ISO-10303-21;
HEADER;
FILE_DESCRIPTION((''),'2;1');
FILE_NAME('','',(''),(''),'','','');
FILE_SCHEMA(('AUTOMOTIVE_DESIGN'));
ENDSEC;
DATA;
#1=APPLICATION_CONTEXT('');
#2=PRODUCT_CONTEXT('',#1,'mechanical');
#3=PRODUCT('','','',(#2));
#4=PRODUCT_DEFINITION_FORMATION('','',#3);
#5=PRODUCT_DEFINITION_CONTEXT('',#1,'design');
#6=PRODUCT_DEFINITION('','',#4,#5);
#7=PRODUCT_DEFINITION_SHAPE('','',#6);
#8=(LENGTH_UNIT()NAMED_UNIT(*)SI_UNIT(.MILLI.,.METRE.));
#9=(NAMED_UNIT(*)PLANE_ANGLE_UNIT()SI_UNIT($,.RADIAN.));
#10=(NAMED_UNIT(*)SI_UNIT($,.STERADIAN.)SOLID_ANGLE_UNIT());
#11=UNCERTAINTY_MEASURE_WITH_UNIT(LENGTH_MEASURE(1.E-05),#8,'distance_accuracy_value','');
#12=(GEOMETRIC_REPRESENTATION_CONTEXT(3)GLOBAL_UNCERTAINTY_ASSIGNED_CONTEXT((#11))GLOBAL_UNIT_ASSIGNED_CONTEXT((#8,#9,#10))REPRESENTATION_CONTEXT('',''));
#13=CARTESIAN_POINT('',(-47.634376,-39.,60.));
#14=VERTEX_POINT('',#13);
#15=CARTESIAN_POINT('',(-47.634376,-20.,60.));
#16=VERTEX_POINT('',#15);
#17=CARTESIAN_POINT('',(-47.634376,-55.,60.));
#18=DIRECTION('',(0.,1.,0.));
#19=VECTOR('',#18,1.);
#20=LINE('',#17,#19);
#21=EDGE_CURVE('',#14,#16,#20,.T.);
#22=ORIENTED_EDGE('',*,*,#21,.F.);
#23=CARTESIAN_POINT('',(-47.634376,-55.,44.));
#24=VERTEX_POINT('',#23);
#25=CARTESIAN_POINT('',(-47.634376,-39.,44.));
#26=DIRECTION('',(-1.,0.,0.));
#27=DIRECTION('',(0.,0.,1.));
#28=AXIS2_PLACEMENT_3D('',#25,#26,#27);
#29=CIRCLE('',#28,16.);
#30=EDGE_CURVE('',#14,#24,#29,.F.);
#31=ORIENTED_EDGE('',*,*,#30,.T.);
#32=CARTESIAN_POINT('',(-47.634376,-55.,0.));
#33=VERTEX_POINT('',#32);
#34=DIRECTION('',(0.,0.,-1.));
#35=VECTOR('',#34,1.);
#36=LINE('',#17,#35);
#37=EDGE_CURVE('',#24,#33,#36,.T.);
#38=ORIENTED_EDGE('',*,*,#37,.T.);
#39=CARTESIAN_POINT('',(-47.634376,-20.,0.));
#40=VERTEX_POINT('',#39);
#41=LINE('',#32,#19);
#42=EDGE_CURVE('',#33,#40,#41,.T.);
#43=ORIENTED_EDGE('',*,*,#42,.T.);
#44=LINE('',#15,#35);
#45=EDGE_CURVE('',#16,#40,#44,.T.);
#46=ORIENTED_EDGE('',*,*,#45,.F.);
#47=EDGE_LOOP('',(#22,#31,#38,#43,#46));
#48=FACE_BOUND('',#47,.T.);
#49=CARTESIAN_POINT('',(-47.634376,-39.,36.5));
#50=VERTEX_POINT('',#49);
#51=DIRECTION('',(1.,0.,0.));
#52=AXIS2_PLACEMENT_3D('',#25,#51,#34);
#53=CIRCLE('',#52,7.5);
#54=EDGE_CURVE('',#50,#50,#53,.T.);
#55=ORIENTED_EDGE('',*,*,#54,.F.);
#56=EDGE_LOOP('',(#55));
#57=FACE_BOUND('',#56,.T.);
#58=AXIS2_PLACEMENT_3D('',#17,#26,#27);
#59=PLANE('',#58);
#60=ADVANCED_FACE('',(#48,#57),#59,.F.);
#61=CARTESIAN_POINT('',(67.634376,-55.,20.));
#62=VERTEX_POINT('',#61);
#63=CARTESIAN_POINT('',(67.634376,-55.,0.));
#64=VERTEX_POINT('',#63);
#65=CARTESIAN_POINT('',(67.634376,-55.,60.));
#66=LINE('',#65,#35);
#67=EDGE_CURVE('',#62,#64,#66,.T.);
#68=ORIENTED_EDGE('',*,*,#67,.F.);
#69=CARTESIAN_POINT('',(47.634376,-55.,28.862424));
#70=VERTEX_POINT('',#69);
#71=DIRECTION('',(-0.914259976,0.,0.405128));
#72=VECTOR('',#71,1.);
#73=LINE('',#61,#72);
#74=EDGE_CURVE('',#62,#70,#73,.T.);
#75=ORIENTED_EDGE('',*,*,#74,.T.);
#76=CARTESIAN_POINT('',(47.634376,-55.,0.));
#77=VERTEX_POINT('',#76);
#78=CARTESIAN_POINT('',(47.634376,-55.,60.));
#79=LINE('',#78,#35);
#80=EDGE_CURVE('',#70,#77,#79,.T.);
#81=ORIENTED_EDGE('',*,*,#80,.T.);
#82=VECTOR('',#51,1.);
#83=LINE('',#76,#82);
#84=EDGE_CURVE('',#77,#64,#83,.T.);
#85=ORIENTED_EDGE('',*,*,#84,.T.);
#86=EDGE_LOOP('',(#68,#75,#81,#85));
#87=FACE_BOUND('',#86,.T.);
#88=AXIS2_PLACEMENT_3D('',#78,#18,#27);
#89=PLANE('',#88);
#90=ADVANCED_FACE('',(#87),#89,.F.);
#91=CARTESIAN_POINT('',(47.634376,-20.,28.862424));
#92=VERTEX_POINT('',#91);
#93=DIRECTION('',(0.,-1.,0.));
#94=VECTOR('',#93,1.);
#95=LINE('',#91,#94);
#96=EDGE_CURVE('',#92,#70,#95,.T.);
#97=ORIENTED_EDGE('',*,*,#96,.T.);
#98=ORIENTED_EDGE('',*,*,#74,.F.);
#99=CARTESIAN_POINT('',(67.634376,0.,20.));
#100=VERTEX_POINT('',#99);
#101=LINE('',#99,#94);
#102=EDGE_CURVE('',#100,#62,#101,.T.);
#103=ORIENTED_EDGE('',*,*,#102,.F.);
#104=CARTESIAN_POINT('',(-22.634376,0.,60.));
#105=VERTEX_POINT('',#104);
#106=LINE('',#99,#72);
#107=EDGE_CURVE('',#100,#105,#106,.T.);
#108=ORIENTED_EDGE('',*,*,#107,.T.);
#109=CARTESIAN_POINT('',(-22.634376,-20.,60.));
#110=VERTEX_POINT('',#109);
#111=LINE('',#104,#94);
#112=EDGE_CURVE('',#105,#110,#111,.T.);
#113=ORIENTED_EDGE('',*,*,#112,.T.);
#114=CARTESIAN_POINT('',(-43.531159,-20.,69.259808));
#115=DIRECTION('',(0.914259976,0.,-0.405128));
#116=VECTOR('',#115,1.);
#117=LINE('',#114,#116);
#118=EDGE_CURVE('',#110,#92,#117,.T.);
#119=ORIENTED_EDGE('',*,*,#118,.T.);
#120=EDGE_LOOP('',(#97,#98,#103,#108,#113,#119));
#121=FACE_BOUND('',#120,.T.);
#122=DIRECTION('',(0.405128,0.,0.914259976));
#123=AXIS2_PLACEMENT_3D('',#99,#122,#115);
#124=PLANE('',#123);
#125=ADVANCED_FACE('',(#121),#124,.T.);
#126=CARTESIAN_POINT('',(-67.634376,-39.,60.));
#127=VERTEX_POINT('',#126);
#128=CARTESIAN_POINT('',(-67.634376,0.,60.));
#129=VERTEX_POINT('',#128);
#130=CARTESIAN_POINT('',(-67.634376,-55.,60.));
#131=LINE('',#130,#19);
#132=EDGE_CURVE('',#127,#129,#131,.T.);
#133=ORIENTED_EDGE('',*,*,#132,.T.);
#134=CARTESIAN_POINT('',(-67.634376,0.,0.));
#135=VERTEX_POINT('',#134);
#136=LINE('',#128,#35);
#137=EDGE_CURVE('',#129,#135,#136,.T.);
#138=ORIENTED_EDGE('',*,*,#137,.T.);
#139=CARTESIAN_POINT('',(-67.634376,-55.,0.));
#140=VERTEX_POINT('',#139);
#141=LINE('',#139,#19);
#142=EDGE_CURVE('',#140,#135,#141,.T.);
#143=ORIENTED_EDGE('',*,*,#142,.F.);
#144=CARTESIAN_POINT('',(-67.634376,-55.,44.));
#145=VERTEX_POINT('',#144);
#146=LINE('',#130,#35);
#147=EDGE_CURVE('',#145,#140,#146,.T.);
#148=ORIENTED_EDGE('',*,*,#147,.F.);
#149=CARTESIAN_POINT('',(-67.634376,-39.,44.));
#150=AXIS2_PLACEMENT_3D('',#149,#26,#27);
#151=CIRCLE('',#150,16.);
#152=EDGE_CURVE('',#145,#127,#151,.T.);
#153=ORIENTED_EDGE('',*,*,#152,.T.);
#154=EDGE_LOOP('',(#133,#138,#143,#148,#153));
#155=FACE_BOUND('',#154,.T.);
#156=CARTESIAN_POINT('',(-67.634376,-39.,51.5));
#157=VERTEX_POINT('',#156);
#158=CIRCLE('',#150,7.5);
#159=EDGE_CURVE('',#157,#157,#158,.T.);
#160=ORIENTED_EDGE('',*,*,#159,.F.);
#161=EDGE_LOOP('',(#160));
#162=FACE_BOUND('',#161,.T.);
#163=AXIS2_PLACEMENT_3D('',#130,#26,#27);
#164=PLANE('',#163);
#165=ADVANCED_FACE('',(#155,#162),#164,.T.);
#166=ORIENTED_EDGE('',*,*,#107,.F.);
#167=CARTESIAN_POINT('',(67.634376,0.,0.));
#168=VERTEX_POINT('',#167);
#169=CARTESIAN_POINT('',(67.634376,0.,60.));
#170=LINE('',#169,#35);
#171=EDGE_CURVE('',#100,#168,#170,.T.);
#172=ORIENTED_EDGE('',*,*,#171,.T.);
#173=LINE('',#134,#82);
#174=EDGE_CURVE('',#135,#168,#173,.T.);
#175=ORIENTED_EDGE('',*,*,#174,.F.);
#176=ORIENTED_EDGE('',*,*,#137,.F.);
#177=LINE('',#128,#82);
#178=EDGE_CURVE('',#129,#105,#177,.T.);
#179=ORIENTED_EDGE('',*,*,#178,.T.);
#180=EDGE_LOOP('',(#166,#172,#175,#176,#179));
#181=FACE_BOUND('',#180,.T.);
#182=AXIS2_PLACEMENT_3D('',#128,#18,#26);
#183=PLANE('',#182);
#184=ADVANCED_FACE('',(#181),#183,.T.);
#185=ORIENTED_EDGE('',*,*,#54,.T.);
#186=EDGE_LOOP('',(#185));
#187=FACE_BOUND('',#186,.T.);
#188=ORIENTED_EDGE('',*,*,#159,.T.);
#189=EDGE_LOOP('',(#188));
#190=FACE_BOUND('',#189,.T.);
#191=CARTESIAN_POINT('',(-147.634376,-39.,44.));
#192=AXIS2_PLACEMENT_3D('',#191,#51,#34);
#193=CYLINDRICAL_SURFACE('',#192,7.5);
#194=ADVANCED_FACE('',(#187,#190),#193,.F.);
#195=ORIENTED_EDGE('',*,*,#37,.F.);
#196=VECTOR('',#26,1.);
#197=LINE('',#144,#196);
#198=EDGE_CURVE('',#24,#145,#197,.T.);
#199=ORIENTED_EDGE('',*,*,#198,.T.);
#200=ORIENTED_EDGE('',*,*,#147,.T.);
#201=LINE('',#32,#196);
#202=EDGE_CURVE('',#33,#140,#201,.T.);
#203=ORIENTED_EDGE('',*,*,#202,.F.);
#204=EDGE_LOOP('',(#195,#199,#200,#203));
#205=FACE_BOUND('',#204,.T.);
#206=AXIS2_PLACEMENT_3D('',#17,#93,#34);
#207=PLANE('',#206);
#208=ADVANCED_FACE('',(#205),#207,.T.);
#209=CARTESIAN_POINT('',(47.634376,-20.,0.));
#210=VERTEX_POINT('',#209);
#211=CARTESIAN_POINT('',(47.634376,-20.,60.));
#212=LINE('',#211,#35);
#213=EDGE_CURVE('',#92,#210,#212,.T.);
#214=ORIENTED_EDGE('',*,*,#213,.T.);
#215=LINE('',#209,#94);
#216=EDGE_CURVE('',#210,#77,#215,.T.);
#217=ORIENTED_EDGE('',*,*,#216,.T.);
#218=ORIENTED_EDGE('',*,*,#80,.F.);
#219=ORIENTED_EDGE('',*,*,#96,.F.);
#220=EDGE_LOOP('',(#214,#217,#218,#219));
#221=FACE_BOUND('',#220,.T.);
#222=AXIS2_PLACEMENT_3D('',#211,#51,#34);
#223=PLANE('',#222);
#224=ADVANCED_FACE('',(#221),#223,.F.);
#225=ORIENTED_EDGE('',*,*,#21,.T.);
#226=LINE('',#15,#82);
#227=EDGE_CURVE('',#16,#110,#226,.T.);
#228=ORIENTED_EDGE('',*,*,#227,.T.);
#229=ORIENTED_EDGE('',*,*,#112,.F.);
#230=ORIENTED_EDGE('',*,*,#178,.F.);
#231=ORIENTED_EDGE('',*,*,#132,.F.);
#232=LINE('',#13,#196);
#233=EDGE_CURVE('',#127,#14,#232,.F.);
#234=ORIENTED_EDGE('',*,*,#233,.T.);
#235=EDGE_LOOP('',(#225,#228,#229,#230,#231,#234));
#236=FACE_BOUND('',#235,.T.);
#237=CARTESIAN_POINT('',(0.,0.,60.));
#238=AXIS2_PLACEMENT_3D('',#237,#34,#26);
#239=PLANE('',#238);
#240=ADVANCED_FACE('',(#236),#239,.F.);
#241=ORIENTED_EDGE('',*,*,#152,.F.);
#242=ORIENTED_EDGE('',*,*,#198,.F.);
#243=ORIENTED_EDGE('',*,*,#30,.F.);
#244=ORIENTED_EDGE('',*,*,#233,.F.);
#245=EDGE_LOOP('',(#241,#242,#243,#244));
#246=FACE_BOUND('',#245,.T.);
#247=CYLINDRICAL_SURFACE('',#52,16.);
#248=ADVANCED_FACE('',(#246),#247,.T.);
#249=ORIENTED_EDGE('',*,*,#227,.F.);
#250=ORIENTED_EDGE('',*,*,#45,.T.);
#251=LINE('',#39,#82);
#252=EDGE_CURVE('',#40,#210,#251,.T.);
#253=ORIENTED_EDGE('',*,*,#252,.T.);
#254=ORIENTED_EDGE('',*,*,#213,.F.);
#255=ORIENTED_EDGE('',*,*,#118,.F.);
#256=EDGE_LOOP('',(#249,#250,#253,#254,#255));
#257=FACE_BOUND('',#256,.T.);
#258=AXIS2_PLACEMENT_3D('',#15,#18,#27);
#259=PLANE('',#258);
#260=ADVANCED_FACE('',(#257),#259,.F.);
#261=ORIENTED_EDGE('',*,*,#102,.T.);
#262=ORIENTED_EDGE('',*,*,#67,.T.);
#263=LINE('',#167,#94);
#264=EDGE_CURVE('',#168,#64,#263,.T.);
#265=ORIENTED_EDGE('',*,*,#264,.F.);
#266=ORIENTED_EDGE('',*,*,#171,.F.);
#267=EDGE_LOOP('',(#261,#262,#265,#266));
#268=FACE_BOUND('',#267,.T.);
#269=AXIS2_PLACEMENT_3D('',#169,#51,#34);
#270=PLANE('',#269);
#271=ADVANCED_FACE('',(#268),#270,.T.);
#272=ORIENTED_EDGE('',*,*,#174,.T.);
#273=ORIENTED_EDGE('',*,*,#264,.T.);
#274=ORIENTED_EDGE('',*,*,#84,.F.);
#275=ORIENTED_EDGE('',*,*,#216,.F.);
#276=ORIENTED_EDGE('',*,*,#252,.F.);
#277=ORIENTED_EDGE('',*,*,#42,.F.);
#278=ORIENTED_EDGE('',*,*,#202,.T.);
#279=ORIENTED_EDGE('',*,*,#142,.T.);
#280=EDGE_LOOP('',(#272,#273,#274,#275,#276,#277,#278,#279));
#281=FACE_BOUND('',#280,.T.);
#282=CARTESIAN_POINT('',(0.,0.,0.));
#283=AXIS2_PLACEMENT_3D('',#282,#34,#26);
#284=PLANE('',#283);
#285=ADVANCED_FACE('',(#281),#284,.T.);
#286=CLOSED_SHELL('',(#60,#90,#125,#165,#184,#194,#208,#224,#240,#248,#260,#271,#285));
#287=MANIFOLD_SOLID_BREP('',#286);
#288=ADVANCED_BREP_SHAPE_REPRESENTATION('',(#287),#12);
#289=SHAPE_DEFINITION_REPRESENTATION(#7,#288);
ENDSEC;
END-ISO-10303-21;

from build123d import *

# Parameters (mm, degrees)
BOSS_EXTRUDE3_DEPTH     = 60
CUT_EXTRUDE1_DEPTH      = 97.950548376
CUT_EXTRUDE1_DEPTH_BACK = 97.950548376
FILLET3_R               = 16
SKETCH7_R               = 7.5
CUT_EXTRUDE2_DEPTH      = 100


with BuildPart() as part:
    # Sketch3 → Boss-Extrude3 (new body)
    with BuildSketch(Plane.XY):
        Polygon((-47.6343761, -55), (-47.6343761, -20), (47.6343761, -20), (47.6343761, -55), (67.6343761, -55), (67.6343761, 0), (-67.6343761, 0), (-67.6343761, -55), align=None)
    extrude(amount=BOSS_EXTRUDE3_DEPTH)

    # Sketch4 → Cut-Extrude1 (cut, two sides: drawn at the far end of the back side and taken through both)
    with BuildSketch(Plane.XZ.offset(20).offset(-CUT_EXTRUDE1_DEPTH_BACK)):
        Polygon((-22.6343761, 60), (67.6343761, 60), (67.6343761, 20), align=None)
    extrude(amount=CUT_EXTRUDE1_DEPTH + CUT_EXTRUDE1_DEPTH_BACK, mode=Mode.SUBTRACT)

    # Fillet3
    fillet3_edges = [part.edges().sort_by_distance(p)[0] for p in [
        (-57.6343761, -55, 60),
    ]]
    fillet(fillet3_edges, radius=FILLET3_R)

    # Sketch7 → Cut-Extrude2 (cut)
    with BuildSketch(Plane(origin=(-47.6343761, 0, 0), x_dir=(0, 0, -1), z_dir=(1, 0, 0))):
        with Locations((-44, -39)):
            Circle(SKETCH7_R)
    extrude(amount=-CUT_EXTRUDE2_DEPTH, mode=Mode.SUBTRACT)


solid = part.part
